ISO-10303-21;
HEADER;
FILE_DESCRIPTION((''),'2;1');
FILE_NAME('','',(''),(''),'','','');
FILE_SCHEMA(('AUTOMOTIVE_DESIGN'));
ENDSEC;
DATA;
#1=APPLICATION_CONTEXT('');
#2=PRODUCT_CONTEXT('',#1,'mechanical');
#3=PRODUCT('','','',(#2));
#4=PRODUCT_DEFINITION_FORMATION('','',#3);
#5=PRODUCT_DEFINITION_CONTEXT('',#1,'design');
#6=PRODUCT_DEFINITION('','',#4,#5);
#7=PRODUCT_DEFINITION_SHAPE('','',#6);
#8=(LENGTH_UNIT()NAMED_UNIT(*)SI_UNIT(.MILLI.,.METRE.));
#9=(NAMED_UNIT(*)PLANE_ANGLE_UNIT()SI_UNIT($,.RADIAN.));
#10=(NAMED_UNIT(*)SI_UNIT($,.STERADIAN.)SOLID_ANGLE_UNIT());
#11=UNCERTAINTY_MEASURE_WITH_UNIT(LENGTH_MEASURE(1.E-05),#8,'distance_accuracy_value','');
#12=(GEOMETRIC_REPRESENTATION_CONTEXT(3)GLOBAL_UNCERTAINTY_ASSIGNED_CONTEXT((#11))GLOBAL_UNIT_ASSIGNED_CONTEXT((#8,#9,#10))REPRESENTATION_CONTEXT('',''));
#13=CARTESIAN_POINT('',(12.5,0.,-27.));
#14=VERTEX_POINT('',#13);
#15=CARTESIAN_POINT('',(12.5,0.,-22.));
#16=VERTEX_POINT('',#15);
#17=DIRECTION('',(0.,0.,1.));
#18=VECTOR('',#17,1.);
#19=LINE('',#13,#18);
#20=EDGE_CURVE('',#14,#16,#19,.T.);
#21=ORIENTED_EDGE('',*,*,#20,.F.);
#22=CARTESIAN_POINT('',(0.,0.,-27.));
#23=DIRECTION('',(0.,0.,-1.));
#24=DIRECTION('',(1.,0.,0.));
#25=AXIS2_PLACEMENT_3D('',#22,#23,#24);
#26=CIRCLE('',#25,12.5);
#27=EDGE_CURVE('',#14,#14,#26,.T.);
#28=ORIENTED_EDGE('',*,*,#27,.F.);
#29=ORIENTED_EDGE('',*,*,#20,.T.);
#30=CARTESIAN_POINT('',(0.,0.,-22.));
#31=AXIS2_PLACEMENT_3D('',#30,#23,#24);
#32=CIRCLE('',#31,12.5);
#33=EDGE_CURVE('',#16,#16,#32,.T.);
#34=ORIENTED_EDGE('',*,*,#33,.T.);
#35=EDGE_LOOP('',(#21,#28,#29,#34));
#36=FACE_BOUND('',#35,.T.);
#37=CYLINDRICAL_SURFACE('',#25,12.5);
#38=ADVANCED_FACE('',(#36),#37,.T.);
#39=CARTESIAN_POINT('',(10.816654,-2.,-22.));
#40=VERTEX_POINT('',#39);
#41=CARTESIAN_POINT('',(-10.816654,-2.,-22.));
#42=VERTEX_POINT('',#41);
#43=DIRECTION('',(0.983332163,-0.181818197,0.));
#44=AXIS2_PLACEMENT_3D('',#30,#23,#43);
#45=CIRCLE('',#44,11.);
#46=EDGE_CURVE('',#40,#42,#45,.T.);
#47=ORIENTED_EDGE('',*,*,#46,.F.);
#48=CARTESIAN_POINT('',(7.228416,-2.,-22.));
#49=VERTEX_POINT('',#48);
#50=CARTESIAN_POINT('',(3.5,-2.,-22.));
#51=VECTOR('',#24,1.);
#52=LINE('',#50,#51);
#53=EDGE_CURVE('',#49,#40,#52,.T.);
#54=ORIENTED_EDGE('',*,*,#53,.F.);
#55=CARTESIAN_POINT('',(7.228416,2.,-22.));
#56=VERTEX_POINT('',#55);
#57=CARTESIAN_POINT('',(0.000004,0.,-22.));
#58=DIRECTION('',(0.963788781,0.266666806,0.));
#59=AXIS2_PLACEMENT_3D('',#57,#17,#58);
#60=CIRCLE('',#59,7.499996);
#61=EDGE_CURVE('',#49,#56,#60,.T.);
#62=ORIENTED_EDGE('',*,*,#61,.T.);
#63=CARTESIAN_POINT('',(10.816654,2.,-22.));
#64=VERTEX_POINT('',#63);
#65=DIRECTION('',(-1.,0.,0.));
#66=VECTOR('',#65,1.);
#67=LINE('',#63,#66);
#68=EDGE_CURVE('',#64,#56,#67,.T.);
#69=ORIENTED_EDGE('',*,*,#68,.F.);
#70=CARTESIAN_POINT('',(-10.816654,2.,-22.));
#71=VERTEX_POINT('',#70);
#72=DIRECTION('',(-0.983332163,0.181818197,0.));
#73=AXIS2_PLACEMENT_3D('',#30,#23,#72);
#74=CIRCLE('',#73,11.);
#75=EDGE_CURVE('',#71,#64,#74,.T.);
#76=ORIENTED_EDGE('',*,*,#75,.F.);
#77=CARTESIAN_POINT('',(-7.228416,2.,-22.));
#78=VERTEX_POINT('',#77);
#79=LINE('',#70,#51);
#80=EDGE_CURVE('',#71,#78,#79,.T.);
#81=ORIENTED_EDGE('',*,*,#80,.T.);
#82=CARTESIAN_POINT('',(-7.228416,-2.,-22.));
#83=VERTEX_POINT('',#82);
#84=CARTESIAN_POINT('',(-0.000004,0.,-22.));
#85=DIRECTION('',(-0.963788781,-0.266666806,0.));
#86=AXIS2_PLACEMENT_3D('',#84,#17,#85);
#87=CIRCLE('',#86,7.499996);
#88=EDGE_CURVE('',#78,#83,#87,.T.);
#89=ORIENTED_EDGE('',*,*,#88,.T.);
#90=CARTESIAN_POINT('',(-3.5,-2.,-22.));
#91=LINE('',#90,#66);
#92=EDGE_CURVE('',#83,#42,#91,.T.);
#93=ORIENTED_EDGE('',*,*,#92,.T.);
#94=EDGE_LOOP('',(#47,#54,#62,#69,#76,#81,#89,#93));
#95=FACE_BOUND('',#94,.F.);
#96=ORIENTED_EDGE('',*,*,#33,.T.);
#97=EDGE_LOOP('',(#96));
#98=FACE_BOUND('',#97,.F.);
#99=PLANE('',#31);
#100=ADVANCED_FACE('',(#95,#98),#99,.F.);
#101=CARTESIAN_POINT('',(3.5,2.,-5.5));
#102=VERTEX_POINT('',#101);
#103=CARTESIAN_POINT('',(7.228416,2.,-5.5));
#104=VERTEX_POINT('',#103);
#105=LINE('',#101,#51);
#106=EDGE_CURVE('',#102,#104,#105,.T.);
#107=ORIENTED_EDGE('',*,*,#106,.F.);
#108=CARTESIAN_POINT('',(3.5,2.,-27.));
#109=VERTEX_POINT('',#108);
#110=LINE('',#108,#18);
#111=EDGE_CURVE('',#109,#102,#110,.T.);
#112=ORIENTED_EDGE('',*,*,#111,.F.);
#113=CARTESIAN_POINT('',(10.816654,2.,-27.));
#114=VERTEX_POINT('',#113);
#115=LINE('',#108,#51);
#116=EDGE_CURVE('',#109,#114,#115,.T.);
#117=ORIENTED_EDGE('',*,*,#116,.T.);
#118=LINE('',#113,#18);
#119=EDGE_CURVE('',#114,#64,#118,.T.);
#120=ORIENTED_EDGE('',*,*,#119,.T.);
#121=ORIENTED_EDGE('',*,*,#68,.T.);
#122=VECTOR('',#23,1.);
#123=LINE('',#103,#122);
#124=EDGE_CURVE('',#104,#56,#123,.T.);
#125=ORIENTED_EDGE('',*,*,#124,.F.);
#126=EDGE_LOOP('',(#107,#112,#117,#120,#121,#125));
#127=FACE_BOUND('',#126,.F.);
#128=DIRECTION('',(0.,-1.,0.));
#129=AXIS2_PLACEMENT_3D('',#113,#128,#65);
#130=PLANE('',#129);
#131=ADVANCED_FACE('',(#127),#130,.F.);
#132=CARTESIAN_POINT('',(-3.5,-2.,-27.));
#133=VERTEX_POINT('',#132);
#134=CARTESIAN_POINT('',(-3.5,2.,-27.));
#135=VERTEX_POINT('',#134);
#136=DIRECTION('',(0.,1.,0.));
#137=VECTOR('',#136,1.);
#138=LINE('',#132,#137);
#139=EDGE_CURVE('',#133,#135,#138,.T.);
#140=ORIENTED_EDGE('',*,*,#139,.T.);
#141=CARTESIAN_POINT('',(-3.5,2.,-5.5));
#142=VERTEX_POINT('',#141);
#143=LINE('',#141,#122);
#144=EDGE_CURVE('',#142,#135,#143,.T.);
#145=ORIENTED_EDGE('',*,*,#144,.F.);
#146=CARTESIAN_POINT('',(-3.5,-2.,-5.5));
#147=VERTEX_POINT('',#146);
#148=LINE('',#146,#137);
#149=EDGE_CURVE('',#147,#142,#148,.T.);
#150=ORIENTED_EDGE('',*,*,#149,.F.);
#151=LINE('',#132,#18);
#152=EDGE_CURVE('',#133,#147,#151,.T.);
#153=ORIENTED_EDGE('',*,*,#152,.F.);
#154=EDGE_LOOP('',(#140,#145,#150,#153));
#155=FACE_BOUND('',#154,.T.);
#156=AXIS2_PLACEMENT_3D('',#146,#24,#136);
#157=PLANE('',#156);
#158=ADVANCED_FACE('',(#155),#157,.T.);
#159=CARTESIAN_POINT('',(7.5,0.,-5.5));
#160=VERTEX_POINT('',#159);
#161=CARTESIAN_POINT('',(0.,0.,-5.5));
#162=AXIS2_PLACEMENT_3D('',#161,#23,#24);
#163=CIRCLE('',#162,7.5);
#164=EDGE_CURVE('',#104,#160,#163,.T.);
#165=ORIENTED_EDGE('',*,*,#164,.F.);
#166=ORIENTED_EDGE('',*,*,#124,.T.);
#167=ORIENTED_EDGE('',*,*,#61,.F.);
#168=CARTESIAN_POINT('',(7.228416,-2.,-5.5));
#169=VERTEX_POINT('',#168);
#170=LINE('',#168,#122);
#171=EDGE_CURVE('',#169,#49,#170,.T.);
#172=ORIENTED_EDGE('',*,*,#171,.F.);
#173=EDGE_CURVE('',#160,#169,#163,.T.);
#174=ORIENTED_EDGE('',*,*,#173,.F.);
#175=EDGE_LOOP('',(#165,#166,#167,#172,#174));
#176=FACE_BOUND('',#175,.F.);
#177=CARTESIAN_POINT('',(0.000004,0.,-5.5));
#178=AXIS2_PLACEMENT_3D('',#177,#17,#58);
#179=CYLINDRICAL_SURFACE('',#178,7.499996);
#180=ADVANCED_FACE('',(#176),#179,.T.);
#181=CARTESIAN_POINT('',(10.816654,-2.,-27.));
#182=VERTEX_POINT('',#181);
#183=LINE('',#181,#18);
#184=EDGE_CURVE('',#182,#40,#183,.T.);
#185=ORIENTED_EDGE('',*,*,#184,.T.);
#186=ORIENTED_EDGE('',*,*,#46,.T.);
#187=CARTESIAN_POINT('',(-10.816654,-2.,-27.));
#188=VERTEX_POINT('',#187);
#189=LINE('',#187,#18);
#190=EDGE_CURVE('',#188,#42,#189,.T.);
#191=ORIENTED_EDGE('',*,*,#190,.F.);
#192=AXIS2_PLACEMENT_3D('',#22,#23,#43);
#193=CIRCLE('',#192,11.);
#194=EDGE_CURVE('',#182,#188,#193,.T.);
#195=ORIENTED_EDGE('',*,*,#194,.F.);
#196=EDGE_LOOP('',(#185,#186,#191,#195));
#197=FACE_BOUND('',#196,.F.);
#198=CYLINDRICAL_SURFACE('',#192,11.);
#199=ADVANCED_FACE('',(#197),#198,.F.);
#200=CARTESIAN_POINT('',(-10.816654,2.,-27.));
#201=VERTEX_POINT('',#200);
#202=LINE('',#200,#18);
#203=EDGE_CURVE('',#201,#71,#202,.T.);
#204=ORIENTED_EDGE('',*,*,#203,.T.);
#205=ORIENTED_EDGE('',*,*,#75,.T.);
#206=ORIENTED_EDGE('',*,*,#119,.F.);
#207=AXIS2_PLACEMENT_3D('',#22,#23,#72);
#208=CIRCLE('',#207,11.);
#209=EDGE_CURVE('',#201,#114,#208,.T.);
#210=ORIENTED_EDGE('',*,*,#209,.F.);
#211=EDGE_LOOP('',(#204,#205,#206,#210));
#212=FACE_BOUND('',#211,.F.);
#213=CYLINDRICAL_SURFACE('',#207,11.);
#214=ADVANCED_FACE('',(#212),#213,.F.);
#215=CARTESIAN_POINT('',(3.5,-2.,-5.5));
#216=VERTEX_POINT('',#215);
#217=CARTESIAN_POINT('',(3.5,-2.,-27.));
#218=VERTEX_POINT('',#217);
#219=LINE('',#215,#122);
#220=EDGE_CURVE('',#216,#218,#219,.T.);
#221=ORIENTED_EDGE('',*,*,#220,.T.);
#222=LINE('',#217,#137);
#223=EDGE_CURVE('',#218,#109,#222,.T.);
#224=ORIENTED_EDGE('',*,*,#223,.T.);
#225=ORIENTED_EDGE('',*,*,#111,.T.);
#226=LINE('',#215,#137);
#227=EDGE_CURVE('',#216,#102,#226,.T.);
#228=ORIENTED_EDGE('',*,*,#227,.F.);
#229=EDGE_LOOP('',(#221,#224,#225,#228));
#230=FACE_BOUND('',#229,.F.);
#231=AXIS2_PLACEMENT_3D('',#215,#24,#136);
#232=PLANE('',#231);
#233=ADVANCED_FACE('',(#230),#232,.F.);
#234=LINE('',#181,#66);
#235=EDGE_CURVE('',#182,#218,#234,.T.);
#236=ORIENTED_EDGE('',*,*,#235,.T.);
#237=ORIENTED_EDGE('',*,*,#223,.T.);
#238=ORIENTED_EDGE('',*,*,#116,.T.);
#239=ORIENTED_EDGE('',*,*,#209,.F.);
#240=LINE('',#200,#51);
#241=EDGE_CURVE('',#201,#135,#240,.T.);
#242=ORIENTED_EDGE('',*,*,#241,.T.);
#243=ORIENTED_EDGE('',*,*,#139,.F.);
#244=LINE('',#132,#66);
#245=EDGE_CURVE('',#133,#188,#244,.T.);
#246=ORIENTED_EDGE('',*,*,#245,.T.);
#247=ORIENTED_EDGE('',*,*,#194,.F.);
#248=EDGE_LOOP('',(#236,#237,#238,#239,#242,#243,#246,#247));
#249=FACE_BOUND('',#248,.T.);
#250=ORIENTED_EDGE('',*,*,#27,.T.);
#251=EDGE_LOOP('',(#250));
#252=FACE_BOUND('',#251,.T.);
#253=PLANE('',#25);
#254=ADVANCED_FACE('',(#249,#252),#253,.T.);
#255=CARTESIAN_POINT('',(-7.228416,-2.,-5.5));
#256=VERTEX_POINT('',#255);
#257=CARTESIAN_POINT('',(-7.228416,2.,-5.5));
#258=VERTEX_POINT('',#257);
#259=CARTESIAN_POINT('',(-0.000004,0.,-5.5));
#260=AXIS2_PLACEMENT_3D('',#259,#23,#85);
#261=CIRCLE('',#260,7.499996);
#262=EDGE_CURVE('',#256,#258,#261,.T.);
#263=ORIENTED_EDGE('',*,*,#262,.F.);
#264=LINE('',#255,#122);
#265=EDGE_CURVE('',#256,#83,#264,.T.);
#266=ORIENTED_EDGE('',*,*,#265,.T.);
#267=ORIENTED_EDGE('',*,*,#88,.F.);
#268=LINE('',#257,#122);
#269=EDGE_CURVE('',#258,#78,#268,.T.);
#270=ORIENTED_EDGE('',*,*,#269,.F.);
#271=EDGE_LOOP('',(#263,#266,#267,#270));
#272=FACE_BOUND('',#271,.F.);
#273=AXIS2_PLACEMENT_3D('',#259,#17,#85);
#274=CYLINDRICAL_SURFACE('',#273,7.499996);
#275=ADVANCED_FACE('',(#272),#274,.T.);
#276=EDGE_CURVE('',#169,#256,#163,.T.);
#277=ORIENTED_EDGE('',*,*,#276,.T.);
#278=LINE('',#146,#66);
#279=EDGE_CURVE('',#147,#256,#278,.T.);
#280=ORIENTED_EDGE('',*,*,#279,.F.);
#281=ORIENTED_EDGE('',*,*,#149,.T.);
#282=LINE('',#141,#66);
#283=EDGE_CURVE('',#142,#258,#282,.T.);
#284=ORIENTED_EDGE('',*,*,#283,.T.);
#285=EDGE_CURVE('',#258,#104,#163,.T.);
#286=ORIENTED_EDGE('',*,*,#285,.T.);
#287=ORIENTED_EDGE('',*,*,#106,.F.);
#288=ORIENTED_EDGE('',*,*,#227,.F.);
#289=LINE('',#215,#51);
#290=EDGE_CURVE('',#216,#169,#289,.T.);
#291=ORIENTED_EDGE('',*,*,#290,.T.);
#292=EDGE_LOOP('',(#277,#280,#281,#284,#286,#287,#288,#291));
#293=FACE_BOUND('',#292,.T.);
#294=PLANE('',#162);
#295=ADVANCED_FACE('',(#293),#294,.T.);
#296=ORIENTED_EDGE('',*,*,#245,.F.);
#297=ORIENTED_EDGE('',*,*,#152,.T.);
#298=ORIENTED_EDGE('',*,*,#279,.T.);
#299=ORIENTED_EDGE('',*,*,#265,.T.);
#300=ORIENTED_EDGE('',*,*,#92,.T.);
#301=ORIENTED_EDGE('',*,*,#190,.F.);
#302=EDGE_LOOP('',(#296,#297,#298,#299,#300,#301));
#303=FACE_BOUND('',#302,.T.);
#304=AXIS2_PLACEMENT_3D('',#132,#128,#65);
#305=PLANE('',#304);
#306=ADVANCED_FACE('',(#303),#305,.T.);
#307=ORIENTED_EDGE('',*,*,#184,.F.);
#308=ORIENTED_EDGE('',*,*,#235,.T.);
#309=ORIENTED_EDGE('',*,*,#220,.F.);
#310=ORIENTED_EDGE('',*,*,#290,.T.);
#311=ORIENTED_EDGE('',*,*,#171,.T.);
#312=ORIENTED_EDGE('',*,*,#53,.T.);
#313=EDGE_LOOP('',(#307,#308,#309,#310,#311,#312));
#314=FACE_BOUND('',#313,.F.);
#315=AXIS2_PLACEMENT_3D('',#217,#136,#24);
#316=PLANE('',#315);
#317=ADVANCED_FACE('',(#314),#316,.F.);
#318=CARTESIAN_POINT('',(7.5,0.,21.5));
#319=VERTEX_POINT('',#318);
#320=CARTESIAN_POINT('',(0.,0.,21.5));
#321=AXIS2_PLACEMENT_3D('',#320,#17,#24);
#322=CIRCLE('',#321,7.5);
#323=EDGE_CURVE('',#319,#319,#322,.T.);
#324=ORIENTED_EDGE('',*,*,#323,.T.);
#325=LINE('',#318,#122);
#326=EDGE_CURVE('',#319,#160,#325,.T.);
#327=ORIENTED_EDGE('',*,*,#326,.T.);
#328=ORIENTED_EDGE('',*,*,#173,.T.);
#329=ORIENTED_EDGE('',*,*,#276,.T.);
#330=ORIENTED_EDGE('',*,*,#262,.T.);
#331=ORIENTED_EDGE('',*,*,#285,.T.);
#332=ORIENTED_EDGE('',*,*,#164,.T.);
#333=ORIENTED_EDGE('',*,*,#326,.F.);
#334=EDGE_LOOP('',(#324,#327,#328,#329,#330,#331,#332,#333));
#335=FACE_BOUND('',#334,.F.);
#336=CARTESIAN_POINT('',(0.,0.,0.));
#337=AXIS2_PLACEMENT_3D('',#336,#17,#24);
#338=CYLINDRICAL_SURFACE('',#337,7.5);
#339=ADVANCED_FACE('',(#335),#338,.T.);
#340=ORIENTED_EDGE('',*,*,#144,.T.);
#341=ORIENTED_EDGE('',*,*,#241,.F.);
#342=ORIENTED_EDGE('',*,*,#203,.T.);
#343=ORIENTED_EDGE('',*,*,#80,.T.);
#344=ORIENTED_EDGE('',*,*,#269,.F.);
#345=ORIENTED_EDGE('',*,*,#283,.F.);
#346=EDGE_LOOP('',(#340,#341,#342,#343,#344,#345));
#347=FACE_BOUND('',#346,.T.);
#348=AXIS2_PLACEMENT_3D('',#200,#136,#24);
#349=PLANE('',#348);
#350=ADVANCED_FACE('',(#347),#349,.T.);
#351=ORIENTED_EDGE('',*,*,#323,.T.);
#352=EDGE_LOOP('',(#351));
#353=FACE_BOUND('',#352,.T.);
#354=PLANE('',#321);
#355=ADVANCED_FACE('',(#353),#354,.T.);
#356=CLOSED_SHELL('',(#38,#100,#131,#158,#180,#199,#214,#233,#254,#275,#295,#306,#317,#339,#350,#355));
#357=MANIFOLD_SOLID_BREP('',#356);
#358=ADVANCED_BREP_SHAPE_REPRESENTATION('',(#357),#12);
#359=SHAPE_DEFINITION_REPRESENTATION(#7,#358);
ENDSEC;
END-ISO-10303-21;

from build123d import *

# Parameters (mm, degrees)
SKETCH_R     = 7.5
PAD_DEPTH    = 9
SKETCH001_R  = 7.5
PAD001_DEPTH = 2
SKETCH002_R  = 7.5
PAD002_DEPTH = 9
SKETCH003_R  = 7.5
PAD003_DEPTH = 1.5
SKETCH004_R  = 7.5
PAD004_DEPTH = 5.5
PAD005_DEPTH = 21.5
SKETCH006_R  = 12.5
PAD006_DEPTH = 5


with BuildPart() as part:
    # Sketch → Pad (new body)
    with BuildSketch(Plane.XY):
        Circle(SKETCH_R)
    extrude(amount=PAD_DEPTH)

    # Sketch001 (on Face3 of Pad) → Pad001 (join)
    with BuildSketch(Plane.XY.offset(9)):
        Circle(SKETCH001_R)
    extrude(amount=PAD001_DEPTH)

    # Sketch002 (on Face4 of Pad001) → Pad002 (join)
    with BuildSketch(Plane.XY.offset(11)):
        Circle(SKETCH002_R)
    extrude(amount=PAD002_DEPTH)

    # Sketch003 (on Face5 of Pad002) → Pad003 (join)
    with BuildSketch(Plane.XY.offset(20)):
        Circle(SKETCH003_R)
    extrude(amount=PAD003_DEPTH)

    # Sketch004 (on Face2 of Pad003) → Pad004 (join)
    with BuildSketch(Plane(origin=(0, 0, 0), x_dir=(1, 0, 0), z_dir=(0, 0, -1))):
        Circle(SKETCH004_R)
    extrude(amount=PAD004_DEPTH)

    # Sketch005 (on Face4 of Pad004) → Pad005 (join)
    with BuildSketch(Plane(origin=(0, 0, -5.5), x_dir=(1, 0, 0), z_dir=(0, 0, -1))):
        with BuildLine():
            Line((3.5, 2), (3.5, -2))
            Line((3.5, -2), (7.228416, -2))
            ThreePointArc((7.228416, -2), (7.5, 0), (7.228416, 2))
            Line((3.5, 2), (7.228416, 2))
        make_face()
        with BuildLine():
            Line((-3.5, 2), (-3.5, -2))
            Line((-3.5, -2), (-7.228416, -2))
            ThreePointArc((-7.228416, 2), (-7.5, 0), (-7.228416, -2))
            Line((-3.5, 2), (-7.228416, 2))
        make_face()
    extrude(amount=PAD005_DEPTH)

    # Sketch006 (on Face15 of Pad005) → Pad006 (join)
    with BuildSketch(Plane(origin=(0, 0, -27), x_dir=(1, 0, 0), z_dir=(0, 0, -1))):
        Circle(SKETCH006_R)
        with BuildLine():
            ThreePointArc((10.816654, 2), (0, 11), (-10.816654, 2))
            Line((-3.5, 2), (-10.816654, 2))
            Line((-3.5, -2), (-3.5, 2))
            Line((-10.816654, -2), (-3.5, -2))
            ThreePointArc((-10.816654, -2), (0, -11), (10.816654, -2))
            Line((10.816654, -2), (3.5, -2))
            Line((3.5, -2), (3.5, 2))
            Line((3.5, 2), (10.816654, 2))
        make_face(mode=Mode.SUBTRACT)
    extrude(amount=-PAD006_DEPTH)


solid = part.part
